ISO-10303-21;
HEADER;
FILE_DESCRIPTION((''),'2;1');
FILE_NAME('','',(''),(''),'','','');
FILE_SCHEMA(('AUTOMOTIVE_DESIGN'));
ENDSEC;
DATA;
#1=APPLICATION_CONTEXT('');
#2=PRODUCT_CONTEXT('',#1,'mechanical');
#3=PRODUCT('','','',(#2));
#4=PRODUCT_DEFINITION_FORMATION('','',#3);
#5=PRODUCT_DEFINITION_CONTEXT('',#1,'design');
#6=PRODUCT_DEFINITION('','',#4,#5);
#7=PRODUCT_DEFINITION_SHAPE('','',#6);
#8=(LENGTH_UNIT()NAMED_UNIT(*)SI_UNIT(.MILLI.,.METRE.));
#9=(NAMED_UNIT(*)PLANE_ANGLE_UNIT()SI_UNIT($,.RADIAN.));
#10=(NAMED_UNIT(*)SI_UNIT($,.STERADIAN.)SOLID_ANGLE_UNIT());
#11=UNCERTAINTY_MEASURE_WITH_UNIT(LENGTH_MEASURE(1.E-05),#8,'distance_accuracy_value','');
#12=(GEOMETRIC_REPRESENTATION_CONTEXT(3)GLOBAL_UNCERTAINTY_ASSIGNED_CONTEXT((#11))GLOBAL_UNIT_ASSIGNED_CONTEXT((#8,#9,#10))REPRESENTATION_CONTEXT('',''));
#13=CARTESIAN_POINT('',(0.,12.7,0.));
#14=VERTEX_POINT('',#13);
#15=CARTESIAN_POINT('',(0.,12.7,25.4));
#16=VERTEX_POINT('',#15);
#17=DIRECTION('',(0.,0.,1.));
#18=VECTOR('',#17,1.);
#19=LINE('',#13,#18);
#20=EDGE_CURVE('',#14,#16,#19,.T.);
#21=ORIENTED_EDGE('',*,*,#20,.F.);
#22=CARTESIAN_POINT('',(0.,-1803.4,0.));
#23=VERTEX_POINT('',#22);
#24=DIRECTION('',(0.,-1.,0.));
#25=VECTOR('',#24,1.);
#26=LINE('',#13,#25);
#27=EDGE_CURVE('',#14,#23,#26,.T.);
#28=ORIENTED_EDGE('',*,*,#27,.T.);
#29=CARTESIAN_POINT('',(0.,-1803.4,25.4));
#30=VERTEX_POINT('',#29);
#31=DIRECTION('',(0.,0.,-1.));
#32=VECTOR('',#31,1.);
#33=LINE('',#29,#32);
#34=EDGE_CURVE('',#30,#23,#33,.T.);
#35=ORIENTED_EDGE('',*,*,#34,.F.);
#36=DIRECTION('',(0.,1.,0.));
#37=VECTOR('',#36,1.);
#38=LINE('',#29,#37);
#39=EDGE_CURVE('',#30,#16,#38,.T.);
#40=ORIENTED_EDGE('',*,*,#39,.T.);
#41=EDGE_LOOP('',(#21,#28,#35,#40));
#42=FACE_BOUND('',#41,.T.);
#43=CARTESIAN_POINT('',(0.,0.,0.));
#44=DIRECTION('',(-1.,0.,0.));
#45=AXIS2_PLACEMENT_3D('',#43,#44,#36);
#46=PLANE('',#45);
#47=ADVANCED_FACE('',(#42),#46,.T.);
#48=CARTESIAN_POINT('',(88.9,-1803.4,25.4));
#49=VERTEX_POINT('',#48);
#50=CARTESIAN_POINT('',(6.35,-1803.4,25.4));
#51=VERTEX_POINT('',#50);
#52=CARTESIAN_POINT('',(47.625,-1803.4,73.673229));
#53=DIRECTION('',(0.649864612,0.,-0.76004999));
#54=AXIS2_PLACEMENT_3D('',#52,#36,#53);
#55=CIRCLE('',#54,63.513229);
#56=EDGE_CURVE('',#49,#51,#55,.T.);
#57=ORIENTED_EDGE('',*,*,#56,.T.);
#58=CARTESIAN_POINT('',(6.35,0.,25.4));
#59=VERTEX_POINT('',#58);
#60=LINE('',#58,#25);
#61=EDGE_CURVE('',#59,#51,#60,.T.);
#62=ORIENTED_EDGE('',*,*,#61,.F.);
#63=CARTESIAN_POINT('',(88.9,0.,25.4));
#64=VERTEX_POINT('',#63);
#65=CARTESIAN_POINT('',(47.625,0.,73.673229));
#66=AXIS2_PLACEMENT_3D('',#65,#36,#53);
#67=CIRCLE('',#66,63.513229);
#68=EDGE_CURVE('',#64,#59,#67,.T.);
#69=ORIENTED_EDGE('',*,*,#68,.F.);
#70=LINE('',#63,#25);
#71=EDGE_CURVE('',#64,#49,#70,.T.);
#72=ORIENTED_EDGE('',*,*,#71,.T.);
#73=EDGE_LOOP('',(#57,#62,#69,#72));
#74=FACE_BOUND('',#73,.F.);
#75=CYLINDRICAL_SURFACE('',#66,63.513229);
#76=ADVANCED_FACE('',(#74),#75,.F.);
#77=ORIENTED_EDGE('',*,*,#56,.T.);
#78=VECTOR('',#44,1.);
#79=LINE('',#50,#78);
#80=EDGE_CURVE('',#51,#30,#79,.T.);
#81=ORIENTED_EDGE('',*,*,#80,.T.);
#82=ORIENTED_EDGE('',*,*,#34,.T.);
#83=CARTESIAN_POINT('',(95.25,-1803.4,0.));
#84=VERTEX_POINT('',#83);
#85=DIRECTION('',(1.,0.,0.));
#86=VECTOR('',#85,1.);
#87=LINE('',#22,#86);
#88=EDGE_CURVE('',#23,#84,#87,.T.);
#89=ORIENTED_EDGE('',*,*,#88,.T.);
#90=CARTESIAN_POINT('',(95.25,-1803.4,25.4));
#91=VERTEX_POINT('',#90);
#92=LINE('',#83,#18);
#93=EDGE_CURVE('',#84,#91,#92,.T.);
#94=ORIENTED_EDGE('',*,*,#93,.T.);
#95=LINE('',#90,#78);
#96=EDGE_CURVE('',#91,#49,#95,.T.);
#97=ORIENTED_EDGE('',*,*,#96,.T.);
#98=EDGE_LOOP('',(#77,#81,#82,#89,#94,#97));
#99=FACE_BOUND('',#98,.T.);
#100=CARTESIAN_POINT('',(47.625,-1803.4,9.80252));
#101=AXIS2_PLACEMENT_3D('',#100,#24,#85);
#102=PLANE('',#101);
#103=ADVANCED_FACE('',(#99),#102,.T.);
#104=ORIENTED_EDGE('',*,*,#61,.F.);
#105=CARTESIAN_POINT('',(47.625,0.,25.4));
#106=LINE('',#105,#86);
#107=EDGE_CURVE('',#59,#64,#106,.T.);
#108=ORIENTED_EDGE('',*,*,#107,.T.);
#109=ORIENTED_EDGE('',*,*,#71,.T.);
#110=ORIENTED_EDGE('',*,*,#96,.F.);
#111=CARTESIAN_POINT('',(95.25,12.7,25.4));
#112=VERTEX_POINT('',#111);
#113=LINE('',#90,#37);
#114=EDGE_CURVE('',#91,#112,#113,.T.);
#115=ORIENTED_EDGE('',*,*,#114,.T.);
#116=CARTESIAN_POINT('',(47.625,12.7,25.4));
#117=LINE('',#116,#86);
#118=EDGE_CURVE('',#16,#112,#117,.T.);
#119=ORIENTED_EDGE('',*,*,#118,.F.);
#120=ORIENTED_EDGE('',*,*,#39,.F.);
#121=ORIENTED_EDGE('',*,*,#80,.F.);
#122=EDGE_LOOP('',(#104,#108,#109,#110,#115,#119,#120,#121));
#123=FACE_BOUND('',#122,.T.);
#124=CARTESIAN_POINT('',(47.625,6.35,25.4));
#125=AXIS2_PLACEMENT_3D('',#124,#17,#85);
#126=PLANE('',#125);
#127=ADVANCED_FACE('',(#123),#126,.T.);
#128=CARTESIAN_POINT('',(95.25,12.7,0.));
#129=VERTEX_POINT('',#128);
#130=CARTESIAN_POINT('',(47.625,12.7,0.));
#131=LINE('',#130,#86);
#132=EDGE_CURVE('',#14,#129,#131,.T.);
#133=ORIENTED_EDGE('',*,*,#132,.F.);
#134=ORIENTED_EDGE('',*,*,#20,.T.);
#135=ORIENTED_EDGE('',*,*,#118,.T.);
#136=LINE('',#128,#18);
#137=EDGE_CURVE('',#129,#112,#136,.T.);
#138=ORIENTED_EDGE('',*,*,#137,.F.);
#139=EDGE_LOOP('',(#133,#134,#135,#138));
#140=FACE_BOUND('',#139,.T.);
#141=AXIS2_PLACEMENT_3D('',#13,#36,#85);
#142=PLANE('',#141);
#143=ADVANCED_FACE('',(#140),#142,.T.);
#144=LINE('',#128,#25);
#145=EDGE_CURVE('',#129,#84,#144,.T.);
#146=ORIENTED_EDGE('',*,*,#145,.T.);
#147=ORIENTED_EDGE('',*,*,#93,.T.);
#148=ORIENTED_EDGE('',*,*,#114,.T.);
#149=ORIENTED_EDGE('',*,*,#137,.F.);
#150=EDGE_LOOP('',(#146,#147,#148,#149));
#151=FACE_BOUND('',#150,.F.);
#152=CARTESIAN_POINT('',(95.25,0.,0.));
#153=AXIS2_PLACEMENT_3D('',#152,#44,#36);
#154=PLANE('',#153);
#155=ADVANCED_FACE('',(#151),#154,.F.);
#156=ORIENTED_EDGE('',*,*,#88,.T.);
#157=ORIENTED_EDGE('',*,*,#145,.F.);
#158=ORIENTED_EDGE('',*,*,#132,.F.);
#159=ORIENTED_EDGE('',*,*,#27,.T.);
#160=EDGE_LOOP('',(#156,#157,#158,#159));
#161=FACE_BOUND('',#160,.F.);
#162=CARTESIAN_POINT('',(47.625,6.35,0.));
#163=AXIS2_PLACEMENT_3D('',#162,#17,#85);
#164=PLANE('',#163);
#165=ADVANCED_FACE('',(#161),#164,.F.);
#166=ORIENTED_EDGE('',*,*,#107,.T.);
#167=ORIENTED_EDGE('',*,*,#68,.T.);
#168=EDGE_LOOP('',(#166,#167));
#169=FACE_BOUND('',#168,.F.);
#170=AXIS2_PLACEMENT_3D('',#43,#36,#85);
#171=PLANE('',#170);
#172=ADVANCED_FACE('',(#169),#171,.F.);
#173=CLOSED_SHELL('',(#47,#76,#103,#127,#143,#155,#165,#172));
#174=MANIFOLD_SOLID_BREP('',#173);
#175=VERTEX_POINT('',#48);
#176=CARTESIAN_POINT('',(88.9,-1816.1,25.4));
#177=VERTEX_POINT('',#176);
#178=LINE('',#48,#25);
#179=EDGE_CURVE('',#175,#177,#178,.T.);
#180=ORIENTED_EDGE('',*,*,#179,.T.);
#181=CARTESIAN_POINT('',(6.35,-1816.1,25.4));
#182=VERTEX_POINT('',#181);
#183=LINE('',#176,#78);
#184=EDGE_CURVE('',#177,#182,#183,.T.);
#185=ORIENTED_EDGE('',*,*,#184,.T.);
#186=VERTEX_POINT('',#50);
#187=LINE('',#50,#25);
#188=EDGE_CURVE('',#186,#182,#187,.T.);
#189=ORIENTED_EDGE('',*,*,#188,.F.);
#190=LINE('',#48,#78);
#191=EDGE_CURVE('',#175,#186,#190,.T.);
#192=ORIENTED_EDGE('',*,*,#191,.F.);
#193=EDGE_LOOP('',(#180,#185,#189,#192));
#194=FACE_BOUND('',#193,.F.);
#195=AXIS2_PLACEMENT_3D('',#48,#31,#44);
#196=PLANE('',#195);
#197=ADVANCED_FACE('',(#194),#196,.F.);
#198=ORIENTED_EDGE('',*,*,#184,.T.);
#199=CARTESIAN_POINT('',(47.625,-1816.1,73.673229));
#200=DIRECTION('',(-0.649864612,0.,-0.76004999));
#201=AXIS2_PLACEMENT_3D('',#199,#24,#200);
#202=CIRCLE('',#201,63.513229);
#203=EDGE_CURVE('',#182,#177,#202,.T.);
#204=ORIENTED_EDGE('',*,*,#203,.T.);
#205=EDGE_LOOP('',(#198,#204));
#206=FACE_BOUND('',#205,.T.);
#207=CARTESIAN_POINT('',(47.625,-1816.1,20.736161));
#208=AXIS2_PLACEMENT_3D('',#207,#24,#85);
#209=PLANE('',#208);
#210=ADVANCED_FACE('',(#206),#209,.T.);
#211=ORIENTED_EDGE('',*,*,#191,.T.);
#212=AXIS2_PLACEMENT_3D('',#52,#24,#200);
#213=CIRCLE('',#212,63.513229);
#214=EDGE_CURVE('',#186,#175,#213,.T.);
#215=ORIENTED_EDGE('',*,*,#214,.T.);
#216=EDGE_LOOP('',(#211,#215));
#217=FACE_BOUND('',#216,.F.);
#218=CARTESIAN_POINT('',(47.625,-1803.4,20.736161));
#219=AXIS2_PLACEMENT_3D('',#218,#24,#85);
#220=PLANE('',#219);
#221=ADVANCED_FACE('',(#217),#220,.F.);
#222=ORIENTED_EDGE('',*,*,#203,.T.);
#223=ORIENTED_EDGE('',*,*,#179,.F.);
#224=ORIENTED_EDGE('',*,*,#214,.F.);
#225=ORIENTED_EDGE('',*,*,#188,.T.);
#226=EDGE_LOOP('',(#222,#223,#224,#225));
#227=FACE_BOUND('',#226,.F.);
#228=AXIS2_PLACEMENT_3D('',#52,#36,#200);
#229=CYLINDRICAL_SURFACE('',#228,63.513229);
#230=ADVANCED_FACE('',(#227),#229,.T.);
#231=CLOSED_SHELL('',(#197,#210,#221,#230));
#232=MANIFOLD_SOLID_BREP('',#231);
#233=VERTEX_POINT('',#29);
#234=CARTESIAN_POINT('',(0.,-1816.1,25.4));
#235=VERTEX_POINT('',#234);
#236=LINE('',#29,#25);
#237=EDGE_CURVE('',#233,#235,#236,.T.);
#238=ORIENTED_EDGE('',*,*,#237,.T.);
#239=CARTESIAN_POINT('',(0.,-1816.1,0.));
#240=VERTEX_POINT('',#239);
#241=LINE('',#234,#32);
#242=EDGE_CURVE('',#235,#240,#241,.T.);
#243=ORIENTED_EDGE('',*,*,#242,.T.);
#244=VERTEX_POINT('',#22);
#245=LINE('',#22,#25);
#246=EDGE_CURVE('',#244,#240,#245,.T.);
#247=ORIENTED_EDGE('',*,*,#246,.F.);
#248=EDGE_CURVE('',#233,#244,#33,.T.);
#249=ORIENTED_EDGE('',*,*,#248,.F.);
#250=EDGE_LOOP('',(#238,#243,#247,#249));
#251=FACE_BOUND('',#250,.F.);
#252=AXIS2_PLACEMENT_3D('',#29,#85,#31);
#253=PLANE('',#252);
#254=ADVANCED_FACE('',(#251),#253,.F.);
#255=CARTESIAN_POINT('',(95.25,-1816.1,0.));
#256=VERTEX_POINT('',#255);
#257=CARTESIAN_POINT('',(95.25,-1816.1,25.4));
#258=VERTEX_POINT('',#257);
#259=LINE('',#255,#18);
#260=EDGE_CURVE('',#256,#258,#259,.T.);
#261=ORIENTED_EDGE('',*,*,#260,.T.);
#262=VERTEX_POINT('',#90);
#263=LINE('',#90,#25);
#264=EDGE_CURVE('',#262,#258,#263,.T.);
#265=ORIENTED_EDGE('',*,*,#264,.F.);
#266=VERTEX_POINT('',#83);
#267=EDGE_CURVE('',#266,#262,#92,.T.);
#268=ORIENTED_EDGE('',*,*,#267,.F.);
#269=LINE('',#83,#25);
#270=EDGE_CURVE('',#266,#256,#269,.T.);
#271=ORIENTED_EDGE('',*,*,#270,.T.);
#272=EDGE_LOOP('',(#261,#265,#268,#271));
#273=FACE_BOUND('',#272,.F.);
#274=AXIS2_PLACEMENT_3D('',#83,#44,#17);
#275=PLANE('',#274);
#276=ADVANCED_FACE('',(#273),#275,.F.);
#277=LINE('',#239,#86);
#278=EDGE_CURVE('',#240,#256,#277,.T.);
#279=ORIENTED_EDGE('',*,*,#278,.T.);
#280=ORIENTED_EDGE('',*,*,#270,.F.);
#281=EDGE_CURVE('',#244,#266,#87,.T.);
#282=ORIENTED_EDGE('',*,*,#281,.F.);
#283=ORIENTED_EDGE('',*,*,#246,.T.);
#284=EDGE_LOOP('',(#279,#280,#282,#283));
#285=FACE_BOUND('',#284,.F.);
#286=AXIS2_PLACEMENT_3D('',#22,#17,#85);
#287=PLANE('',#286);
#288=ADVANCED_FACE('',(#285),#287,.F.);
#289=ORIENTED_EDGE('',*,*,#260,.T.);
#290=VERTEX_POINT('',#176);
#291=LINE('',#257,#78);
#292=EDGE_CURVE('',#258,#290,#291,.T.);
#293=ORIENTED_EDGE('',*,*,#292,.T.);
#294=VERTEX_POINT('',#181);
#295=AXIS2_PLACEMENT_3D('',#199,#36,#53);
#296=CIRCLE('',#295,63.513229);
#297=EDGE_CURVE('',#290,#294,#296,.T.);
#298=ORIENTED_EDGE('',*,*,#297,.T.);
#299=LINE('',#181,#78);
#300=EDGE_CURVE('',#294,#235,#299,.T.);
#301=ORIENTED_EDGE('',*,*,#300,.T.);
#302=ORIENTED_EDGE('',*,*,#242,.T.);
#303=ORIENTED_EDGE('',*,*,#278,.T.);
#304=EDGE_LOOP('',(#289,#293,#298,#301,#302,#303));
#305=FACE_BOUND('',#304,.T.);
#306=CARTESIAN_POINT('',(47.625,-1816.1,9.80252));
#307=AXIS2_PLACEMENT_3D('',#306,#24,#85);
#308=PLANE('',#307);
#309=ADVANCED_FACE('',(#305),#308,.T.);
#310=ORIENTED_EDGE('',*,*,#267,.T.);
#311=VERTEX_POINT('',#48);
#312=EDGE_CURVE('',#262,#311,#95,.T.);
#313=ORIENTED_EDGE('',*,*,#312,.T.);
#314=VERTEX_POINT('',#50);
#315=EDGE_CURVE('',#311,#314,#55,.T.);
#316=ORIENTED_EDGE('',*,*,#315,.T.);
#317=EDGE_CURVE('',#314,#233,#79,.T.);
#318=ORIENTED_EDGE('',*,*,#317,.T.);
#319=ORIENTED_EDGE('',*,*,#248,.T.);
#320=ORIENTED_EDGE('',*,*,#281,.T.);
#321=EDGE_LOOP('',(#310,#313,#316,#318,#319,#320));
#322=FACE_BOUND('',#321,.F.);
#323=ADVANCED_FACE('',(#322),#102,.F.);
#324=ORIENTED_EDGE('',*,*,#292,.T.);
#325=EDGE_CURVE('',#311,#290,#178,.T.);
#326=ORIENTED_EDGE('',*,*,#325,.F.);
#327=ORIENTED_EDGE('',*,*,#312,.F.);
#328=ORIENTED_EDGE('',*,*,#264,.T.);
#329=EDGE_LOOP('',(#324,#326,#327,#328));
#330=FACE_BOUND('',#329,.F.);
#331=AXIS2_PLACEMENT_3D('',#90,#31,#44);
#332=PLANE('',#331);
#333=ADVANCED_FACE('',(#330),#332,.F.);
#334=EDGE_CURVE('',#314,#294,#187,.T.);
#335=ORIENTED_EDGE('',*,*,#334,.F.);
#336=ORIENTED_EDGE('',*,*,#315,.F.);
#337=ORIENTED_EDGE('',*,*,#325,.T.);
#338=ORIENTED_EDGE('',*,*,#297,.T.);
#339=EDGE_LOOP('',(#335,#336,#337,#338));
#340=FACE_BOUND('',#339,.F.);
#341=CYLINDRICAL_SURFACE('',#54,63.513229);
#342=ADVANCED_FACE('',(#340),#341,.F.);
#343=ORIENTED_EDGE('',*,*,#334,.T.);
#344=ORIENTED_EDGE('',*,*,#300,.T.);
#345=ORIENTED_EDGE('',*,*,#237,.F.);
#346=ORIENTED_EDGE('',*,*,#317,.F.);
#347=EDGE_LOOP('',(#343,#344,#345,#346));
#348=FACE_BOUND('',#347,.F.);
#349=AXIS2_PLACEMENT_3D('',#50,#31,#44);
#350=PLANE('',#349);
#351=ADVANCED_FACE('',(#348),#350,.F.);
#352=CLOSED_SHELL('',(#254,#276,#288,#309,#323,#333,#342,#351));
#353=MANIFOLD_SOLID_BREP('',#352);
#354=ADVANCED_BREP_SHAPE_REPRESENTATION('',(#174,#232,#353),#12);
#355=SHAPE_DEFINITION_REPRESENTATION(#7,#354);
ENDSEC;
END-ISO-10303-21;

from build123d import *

# Parameters (mm, degrees)
F1_DEPTH = 1803.4
F2_W     = 95.25
F2_H     = 12.7
F3_DEPTH = 25.4
F5_DEPTH = 12.7
F6_DEPTH = 12.7


with BuildPart() as f1:
    # F0 (on Front) → F1 (new body)
    with BuildSketch(Plane.XZ):
        with BuildLine():
            Line((0, 25.4), (0, 0))
            Line((0, 0), (6.35, 0))
            Line((6.35, 0), (88.9, 0))
            Line((88.9, 0), (95.25, 0))
            Line((95.25, 0), (95.25, 25.4))
            Line((95.25, 25.4), (88.9, 25.4))
            ThreePointArc((88.9, 25.4), (47.625, 10.16), (6.35, 25.4))
            Line((6.35, 25.4), (0, 25.4))
        make_face()
    extrude(amount=F1_DEPTH)

    # F2 (on Top) → F3 (join)
    with BuildSketch(Plane.XY):
        with Locations((47.625, 6.35)):
            Rectangle(F2_W, F2_H)
    extrude(amount=F3_DEPTH)


with BuildPart() as f5:
    # F4 (on face) → F5 (new body)
    with BuildSketch(Plane.XZ.offset(1803.4)):
        with BuildLine():
            Line((88.9, 25.4), (6.35, 25.4))
            ThreePointArc((6.35, 25.4), (47.625, 10.16), (88.9, 25.4))
        make_face()
    extrude(amount=F5_DEPTH)


with BuildPart() as f6:
    # F6 (new): a face of the model
    f6_faces = [f1.part.faces().sort_by_distance(p)[0] for p in [
        (47.625, -1803.4, 9.0874944797),
    ]]
    extrude(f6_faces, amount=F6_DEPTH)


solid = Compound([f1.part, f5.part, f6.part])
